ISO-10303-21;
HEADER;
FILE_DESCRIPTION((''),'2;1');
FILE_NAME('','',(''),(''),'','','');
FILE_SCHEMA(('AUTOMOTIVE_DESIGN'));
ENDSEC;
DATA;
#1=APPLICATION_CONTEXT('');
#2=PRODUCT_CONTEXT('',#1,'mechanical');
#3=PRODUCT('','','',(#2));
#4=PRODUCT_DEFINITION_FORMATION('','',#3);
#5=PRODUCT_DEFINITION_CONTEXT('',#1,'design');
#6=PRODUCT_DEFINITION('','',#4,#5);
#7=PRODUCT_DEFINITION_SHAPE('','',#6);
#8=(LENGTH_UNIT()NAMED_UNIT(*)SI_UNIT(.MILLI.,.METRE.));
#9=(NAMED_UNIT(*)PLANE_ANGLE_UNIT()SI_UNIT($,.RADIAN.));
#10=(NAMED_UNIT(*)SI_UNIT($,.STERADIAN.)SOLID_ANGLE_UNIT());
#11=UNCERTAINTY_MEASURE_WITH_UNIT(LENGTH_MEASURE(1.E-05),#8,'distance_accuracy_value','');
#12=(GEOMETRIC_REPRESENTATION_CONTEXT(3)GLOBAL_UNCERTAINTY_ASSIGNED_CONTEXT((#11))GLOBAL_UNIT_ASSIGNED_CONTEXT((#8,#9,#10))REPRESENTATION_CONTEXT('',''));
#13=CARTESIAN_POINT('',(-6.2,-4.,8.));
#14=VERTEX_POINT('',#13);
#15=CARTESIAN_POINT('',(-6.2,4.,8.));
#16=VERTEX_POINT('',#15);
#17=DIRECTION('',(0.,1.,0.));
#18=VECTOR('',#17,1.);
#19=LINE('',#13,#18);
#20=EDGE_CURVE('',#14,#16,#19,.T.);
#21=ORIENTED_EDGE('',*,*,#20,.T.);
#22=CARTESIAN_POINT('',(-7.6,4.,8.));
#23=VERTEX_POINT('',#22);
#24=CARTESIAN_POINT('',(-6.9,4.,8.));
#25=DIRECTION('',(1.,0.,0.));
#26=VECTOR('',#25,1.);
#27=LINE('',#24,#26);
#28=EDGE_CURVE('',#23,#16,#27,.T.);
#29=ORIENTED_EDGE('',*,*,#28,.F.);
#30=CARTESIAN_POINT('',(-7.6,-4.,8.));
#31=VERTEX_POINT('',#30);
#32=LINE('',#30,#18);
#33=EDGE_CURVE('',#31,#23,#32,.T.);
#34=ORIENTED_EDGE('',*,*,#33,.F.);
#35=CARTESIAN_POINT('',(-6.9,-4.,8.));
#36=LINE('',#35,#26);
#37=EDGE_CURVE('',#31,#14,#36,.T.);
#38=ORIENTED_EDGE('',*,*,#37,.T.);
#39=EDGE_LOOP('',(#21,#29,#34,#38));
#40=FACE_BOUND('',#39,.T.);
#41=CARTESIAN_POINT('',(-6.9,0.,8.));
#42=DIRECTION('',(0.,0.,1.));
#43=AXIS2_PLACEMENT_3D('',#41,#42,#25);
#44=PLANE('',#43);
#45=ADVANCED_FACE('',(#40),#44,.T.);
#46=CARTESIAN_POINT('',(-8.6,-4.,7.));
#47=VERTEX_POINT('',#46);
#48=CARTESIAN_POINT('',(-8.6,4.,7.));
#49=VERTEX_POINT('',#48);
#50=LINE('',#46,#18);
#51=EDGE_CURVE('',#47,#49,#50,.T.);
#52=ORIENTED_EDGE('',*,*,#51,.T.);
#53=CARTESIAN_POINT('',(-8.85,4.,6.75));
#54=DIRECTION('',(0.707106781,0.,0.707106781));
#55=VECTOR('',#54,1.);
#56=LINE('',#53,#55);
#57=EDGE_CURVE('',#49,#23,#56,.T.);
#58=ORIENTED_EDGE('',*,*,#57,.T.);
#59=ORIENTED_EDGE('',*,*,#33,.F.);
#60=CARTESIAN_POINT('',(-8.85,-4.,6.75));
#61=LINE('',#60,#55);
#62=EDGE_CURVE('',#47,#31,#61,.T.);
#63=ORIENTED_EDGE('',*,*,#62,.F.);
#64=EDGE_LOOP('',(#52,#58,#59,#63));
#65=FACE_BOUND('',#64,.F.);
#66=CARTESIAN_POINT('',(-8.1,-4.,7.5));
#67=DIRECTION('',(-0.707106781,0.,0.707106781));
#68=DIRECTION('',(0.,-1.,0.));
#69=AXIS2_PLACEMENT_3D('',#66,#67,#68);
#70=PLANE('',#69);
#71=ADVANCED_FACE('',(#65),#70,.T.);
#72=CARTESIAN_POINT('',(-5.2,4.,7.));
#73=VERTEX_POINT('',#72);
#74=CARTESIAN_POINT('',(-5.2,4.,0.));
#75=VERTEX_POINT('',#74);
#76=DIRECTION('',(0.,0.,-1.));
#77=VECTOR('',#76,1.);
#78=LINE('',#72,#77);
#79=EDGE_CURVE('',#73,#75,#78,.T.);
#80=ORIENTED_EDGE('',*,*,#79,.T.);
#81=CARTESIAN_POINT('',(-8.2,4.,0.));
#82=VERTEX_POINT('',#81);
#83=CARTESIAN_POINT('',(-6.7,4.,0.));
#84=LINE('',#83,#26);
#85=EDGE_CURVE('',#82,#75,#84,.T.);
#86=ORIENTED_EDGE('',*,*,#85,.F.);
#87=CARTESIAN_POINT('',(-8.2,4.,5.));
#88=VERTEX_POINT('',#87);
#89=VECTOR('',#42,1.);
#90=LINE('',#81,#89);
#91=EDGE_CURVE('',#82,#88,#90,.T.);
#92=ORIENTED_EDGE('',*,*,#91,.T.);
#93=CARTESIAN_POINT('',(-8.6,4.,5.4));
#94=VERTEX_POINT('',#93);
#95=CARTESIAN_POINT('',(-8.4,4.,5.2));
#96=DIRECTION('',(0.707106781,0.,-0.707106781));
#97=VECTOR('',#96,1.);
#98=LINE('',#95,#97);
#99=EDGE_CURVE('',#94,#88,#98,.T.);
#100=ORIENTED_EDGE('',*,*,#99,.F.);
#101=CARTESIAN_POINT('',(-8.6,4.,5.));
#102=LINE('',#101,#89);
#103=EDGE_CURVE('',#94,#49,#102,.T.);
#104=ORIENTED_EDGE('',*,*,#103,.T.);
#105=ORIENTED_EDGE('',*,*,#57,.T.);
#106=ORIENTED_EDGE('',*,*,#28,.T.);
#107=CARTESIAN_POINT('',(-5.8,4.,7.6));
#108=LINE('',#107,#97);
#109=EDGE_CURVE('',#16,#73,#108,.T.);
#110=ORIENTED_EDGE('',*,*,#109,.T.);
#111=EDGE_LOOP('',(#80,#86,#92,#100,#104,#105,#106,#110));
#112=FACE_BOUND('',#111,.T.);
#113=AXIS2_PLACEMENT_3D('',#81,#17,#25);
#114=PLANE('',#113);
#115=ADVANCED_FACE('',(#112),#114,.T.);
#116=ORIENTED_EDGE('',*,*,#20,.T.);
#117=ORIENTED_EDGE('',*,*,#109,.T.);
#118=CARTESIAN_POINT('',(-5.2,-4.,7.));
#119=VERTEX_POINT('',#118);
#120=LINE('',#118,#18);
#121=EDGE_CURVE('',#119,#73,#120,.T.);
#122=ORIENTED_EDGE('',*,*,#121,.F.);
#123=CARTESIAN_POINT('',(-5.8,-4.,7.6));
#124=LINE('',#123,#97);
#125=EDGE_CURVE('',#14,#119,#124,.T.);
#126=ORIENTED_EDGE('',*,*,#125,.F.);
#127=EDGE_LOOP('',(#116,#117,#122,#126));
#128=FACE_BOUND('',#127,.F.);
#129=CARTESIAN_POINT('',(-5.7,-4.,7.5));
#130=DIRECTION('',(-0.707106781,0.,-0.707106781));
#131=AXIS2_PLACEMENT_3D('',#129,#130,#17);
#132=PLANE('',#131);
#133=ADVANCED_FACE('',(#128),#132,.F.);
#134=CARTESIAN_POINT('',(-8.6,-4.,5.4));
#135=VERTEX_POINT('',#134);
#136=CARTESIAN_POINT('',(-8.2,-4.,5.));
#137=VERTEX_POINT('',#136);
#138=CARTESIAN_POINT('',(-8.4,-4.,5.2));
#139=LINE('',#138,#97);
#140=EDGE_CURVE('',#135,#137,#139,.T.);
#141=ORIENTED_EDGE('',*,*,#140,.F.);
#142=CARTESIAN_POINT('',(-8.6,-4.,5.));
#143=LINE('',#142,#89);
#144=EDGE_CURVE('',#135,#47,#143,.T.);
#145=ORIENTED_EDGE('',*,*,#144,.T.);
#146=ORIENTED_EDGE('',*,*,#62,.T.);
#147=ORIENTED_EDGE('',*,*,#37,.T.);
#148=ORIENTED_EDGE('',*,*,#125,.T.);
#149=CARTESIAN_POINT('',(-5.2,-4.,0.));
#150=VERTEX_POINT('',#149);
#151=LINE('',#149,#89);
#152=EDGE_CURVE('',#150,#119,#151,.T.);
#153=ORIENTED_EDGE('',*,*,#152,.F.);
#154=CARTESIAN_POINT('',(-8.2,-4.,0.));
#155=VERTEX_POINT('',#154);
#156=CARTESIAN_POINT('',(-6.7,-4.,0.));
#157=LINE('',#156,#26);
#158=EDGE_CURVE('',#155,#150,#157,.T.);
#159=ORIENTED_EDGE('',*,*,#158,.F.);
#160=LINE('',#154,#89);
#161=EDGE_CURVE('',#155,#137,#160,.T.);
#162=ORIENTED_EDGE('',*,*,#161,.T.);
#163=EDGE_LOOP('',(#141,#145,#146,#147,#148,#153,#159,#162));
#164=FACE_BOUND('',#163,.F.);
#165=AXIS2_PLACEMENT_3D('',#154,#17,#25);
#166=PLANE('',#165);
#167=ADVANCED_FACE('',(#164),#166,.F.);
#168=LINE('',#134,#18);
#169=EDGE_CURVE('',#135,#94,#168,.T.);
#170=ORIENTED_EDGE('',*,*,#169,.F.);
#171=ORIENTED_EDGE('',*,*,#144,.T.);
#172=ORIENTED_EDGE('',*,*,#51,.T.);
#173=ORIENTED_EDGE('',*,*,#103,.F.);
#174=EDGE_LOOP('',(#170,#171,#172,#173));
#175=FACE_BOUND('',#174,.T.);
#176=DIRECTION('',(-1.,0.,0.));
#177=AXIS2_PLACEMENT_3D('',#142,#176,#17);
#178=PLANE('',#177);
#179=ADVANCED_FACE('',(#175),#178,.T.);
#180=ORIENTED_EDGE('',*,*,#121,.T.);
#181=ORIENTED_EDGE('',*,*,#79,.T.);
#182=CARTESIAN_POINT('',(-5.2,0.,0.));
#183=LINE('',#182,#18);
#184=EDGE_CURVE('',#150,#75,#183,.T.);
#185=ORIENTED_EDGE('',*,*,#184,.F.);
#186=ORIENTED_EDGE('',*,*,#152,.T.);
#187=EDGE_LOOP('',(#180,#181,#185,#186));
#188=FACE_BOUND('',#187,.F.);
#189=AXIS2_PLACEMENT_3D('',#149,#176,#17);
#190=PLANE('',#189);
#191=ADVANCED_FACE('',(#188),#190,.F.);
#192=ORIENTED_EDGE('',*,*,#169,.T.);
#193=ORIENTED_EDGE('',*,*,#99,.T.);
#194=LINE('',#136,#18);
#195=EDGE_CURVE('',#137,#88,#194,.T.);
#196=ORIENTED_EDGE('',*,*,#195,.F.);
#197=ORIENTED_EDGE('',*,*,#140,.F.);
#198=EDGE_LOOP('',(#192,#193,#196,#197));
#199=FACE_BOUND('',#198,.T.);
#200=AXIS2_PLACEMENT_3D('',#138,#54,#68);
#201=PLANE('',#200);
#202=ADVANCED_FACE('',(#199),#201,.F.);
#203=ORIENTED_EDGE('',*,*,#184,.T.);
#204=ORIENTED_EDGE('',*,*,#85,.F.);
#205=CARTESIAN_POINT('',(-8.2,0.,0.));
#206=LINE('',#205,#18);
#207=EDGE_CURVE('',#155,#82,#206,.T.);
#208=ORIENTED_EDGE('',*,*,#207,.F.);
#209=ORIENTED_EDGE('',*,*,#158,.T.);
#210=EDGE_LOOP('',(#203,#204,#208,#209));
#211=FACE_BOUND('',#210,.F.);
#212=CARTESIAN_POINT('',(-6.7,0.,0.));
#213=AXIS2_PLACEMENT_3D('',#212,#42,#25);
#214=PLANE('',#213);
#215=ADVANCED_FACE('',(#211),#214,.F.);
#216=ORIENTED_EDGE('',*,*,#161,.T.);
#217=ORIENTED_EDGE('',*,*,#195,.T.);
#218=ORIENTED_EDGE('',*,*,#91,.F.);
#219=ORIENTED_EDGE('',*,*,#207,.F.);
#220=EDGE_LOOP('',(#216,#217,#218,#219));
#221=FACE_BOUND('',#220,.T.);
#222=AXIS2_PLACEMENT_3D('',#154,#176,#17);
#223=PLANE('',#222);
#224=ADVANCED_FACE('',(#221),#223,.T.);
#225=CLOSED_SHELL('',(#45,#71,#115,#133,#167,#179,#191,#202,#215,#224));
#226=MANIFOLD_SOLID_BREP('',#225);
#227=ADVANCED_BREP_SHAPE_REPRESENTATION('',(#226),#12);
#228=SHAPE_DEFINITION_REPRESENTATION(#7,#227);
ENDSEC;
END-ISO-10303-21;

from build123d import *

# Parameters (mm, degrees)
BOX013_W           = 3
BOX013_H           = 8
BOX013_DEPTH       = 5
BOX015_W           = 3.4
BOX015_H           = 8
BOX015_DEPTH       = 3
CHAMFER009007_SIZE = 0.4
CHAMFER009009_SIZE = 1


with BuildPart() as cube013:
    # Box013 → Box013 (new body)
    with BuildSketch(Plane(origin=(-8.2, -4, 0), x_dir=(1, 0, 0), z_dir=(0, 0, 1))):
        with Locations((1.5, 4)):
            Rectangle(BOX013_W, BOX013_H)
    extrude(amount=BOX013_DEPTH)


with BuildPart() as fusion:
    # Box015 → Box015 (new body)
    with BuildSketch(Plane(origin=(-8.6, -4, 5), x_dir=(1, 0, 0), z_dir=(0, 0, 1))):
        with Locations((1.7, 4)):
            Rectangle(BOX015_W, BOX015_H)
    extrude(amount=BOX015_DEPTH)

    # Chamfer009007
    chamfer009007_edges = [fusion.edges().sort_by_distance(p)[0] for p in [
        (-8.6, 0, 5),
    ]]
    chamfer(chamfer009007_edges, length=CHAMFER009007_SIZE)

    # Chamfer009009
    chamfer009009_edges = [fusion.edges().sort_by_distance(p)[0] for p in [
        (-8.6, 0, 8),
        (-5.2, 0, 8),
    ]]
    chamfer(chamfer009009_edges, length=CHAMFER009009_SIZE)

    # Fusion: union Cube013
    add(cube013.part)


solid = fusion.part
